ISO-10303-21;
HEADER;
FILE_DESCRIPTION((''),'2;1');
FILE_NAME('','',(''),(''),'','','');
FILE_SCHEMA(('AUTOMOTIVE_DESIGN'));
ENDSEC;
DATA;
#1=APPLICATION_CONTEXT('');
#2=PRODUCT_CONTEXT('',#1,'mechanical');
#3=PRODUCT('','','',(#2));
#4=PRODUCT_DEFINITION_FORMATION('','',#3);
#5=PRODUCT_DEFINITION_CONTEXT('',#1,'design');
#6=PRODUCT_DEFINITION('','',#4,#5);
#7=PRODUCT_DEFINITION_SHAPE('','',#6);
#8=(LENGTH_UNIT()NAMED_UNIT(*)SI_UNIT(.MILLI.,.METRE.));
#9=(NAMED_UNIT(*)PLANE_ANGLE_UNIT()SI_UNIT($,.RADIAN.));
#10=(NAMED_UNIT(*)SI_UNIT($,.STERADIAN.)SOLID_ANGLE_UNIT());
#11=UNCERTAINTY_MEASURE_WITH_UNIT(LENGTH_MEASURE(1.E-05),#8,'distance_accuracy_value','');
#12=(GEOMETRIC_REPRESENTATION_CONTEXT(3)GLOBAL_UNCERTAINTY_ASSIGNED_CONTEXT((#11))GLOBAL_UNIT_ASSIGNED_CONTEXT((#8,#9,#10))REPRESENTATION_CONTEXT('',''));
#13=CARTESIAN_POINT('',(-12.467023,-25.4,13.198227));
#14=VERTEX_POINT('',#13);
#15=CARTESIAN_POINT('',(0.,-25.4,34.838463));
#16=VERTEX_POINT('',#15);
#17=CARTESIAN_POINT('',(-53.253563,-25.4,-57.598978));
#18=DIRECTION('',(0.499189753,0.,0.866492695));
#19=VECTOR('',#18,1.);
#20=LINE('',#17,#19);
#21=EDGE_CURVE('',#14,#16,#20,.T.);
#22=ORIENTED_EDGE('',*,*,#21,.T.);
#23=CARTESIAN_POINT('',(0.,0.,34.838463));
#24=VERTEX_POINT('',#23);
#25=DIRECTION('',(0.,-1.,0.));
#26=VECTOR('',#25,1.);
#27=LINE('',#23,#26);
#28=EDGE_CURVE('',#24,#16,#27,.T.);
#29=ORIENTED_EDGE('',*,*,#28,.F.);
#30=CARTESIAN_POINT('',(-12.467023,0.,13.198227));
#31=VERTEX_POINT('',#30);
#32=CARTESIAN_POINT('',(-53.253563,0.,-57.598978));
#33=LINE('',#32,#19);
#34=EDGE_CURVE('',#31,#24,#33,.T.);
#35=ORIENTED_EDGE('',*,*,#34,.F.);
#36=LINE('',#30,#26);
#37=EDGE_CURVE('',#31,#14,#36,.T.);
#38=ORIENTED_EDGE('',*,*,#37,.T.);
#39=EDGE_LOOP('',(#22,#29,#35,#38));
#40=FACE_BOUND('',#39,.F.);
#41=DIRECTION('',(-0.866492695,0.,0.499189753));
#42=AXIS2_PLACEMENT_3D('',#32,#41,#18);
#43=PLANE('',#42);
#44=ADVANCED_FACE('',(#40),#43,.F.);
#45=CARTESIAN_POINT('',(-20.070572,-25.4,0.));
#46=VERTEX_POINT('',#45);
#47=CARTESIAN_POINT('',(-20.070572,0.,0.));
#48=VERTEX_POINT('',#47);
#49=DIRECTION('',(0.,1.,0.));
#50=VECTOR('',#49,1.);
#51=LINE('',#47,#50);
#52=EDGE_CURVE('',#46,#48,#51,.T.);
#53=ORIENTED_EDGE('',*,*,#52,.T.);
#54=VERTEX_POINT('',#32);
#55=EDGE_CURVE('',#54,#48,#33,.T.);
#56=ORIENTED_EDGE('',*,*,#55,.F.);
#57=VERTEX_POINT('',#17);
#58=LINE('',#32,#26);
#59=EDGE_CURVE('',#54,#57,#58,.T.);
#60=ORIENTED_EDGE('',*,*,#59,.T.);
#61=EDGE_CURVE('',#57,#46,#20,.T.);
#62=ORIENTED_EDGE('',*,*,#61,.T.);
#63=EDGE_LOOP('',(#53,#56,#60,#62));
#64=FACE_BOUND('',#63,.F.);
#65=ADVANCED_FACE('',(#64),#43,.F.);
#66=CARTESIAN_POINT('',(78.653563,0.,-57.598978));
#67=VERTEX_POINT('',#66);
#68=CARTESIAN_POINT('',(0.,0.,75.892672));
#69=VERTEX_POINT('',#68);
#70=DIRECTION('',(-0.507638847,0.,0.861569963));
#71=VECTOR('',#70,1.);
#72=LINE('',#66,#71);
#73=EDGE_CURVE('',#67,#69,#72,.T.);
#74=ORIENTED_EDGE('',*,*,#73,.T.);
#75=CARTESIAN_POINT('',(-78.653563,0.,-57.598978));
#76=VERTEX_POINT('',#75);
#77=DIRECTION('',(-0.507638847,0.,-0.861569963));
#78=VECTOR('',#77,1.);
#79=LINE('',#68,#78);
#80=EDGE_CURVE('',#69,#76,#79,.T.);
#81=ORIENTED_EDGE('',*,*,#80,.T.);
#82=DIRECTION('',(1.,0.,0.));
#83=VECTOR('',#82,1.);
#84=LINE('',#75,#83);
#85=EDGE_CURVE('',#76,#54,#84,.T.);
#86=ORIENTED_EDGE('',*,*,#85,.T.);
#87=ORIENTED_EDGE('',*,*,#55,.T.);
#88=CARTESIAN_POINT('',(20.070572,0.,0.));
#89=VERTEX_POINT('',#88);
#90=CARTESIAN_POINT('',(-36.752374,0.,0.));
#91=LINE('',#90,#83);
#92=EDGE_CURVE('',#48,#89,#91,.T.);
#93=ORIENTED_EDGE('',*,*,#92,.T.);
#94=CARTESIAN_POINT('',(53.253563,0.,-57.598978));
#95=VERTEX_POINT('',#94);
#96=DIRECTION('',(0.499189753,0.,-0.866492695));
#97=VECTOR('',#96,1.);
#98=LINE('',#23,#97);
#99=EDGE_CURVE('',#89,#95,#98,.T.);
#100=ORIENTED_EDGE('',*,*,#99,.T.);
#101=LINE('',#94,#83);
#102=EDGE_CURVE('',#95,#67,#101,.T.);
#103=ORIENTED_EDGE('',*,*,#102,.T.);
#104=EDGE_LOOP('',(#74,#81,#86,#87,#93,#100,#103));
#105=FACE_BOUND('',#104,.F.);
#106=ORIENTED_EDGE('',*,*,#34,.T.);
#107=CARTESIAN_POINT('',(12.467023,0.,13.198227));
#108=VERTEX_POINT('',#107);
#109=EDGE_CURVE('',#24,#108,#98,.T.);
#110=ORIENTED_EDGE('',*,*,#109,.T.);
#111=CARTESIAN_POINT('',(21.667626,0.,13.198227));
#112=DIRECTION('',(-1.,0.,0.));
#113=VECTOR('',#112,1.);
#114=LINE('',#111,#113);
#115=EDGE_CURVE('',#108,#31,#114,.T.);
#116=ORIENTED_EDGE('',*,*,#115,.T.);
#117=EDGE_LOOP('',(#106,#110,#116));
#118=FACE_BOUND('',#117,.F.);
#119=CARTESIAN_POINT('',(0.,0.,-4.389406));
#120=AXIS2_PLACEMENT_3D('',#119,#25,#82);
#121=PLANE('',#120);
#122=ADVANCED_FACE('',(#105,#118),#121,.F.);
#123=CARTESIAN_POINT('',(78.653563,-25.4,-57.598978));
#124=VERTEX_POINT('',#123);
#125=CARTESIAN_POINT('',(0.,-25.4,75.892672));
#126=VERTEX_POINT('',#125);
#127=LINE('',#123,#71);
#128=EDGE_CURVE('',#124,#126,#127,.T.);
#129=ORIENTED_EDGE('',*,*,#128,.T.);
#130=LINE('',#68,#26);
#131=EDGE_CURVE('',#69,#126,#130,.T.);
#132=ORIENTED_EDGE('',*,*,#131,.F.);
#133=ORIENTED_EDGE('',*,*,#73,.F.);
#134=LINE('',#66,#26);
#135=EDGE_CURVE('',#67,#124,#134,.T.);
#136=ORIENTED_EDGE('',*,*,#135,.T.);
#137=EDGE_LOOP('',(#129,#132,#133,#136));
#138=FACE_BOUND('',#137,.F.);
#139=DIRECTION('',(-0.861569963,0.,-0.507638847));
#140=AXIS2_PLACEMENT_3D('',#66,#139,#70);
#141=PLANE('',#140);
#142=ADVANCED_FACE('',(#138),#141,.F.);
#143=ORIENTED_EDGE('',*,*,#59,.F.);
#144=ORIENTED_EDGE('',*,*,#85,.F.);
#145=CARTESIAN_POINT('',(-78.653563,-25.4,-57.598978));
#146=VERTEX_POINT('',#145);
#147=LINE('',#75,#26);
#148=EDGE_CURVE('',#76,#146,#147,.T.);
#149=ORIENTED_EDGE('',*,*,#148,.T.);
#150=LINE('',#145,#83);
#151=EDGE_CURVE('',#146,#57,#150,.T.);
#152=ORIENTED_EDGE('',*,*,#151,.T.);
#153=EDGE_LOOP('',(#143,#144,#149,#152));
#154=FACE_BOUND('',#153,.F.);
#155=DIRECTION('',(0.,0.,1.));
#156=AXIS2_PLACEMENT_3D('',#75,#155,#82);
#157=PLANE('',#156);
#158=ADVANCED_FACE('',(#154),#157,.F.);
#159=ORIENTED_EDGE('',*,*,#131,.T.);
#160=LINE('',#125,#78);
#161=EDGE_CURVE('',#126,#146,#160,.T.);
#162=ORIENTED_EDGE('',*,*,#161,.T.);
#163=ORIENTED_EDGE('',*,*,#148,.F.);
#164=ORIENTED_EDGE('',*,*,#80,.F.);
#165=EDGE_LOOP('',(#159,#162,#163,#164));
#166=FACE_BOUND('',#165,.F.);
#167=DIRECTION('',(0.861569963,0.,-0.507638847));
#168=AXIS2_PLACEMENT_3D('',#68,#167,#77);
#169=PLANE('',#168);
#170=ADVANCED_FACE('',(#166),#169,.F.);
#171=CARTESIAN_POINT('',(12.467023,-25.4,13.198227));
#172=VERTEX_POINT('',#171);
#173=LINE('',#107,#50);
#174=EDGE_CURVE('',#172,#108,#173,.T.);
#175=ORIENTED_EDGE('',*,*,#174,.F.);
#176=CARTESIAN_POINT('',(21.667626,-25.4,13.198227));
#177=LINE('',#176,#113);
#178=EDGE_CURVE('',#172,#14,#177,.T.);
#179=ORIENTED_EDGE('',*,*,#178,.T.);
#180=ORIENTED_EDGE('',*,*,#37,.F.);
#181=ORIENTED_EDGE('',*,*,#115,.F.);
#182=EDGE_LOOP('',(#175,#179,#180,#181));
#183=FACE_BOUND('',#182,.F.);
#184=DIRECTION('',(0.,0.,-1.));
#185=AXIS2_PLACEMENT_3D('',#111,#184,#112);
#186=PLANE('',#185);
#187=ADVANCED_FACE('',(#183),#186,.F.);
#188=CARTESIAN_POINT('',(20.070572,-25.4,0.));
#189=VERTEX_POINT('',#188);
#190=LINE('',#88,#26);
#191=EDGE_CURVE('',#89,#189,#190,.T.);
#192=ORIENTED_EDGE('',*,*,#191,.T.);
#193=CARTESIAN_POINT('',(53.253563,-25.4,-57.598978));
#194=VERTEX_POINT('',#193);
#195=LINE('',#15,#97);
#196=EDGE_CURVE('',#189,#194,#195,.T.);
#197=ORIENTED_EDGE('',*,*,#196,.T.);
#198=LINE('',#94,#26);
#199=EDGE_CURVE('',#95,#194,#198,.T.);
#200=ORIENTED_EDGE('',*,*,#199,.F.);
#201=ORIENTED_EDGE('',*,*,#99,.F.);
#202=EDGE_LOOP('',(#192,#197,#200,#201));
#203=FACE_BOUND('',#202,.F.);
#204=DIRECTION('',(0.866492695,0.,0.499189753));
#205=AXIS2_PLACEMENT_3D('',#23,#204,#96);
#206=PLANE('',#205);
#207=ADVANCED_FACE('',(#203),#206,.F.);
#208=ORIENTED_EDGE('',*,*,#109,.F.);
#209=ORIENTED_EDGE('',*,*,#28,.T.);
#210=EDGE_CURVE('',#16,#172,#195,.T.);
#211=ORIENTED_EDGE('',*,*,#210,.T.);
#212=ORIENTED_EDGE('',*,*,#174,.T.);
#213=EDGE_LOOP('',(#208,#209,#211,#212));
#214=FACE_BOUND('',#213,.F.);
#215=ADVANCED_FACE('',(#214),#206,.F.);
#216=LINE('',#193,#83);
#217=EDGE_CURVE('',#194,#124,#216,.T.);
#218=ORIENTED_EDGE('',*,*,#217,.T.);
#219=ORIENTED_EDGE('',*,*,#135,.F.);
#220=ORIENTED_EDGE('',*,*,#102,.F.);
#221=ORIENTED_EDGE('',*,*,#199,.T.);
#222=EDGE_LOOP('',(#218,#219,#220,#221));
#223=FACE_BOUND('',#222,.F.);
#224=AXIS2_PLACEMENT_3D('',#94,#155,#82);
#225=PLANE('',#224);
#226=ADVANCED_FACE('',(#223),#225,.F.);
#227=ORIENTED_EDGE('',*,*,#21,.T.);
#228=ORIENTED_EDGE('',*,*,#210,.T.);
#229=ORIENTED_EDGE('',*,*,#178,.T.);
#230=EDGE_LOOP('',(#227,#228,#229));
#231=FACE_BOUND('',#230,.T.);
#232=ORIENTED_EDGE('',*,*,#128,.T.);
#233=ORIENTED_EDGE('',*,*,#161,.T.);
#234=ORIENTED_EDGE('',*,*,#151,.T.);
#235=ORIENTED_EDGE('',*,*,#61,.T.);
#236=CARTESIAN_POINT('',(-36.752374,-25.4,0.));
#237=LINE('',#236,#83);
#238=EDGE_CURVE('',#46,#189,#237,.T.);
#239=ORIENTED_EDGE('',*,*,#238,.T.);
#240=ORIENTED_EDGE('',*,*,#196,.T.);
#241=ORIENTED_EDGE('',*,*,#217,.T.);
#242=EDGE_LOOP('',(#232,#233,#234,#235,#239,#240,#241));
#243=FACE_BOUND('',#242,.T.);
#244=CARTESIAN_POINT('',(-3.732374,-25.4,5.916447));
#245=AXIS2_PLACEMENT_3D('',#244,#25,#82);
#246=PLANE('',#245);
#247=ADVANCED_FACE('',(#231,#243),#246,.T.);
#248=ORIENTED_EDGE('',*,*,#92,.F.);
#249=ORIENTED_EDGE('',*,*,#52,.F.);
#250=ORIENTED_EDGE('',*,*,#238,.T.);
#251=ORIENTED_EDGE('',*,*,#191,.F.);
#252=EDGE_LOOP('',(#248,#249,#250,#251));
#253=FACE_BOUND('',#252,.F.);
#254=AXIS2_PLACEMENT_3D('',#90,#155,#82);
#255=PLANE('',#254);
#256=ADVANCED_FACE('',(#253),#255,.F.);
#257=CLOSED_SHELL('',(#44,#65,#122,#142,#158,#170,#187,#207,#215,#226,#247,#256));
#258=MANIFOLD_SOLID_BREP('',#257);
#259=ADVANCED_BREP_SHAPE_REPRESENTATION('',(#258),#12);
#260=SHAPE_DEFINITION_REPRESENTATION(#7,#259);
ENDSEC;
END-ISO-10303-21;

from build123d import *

# Parameters (mm, degrees)
F2_DEPTH = 25.4
F3_DEPTH = 25.4


with BuildPart() as f2:
    # F0 (on Front) → F2 (new body)
    with BuildSketch(Plane.XZ):
        Polygon((78.653563, -57.598978), (0, 75.892672), (-78.653563, -57.598978), (-53.253563, -57.598978), (0, 34.838463), (53.253563, -57.598978), align=None)
    extrude(amount=F2_DEPTH)

    # F1 (on Front) → F3 (join)
    with BuildSketch(Plane.XZ):
        Polygon((21.667626, 13.198227), (-29.132374, 13.198227), (-36.752374, 0), (29.287626, 0), align=None)
    extrude(amount=F3_DEPTH)


solid = f2.part
